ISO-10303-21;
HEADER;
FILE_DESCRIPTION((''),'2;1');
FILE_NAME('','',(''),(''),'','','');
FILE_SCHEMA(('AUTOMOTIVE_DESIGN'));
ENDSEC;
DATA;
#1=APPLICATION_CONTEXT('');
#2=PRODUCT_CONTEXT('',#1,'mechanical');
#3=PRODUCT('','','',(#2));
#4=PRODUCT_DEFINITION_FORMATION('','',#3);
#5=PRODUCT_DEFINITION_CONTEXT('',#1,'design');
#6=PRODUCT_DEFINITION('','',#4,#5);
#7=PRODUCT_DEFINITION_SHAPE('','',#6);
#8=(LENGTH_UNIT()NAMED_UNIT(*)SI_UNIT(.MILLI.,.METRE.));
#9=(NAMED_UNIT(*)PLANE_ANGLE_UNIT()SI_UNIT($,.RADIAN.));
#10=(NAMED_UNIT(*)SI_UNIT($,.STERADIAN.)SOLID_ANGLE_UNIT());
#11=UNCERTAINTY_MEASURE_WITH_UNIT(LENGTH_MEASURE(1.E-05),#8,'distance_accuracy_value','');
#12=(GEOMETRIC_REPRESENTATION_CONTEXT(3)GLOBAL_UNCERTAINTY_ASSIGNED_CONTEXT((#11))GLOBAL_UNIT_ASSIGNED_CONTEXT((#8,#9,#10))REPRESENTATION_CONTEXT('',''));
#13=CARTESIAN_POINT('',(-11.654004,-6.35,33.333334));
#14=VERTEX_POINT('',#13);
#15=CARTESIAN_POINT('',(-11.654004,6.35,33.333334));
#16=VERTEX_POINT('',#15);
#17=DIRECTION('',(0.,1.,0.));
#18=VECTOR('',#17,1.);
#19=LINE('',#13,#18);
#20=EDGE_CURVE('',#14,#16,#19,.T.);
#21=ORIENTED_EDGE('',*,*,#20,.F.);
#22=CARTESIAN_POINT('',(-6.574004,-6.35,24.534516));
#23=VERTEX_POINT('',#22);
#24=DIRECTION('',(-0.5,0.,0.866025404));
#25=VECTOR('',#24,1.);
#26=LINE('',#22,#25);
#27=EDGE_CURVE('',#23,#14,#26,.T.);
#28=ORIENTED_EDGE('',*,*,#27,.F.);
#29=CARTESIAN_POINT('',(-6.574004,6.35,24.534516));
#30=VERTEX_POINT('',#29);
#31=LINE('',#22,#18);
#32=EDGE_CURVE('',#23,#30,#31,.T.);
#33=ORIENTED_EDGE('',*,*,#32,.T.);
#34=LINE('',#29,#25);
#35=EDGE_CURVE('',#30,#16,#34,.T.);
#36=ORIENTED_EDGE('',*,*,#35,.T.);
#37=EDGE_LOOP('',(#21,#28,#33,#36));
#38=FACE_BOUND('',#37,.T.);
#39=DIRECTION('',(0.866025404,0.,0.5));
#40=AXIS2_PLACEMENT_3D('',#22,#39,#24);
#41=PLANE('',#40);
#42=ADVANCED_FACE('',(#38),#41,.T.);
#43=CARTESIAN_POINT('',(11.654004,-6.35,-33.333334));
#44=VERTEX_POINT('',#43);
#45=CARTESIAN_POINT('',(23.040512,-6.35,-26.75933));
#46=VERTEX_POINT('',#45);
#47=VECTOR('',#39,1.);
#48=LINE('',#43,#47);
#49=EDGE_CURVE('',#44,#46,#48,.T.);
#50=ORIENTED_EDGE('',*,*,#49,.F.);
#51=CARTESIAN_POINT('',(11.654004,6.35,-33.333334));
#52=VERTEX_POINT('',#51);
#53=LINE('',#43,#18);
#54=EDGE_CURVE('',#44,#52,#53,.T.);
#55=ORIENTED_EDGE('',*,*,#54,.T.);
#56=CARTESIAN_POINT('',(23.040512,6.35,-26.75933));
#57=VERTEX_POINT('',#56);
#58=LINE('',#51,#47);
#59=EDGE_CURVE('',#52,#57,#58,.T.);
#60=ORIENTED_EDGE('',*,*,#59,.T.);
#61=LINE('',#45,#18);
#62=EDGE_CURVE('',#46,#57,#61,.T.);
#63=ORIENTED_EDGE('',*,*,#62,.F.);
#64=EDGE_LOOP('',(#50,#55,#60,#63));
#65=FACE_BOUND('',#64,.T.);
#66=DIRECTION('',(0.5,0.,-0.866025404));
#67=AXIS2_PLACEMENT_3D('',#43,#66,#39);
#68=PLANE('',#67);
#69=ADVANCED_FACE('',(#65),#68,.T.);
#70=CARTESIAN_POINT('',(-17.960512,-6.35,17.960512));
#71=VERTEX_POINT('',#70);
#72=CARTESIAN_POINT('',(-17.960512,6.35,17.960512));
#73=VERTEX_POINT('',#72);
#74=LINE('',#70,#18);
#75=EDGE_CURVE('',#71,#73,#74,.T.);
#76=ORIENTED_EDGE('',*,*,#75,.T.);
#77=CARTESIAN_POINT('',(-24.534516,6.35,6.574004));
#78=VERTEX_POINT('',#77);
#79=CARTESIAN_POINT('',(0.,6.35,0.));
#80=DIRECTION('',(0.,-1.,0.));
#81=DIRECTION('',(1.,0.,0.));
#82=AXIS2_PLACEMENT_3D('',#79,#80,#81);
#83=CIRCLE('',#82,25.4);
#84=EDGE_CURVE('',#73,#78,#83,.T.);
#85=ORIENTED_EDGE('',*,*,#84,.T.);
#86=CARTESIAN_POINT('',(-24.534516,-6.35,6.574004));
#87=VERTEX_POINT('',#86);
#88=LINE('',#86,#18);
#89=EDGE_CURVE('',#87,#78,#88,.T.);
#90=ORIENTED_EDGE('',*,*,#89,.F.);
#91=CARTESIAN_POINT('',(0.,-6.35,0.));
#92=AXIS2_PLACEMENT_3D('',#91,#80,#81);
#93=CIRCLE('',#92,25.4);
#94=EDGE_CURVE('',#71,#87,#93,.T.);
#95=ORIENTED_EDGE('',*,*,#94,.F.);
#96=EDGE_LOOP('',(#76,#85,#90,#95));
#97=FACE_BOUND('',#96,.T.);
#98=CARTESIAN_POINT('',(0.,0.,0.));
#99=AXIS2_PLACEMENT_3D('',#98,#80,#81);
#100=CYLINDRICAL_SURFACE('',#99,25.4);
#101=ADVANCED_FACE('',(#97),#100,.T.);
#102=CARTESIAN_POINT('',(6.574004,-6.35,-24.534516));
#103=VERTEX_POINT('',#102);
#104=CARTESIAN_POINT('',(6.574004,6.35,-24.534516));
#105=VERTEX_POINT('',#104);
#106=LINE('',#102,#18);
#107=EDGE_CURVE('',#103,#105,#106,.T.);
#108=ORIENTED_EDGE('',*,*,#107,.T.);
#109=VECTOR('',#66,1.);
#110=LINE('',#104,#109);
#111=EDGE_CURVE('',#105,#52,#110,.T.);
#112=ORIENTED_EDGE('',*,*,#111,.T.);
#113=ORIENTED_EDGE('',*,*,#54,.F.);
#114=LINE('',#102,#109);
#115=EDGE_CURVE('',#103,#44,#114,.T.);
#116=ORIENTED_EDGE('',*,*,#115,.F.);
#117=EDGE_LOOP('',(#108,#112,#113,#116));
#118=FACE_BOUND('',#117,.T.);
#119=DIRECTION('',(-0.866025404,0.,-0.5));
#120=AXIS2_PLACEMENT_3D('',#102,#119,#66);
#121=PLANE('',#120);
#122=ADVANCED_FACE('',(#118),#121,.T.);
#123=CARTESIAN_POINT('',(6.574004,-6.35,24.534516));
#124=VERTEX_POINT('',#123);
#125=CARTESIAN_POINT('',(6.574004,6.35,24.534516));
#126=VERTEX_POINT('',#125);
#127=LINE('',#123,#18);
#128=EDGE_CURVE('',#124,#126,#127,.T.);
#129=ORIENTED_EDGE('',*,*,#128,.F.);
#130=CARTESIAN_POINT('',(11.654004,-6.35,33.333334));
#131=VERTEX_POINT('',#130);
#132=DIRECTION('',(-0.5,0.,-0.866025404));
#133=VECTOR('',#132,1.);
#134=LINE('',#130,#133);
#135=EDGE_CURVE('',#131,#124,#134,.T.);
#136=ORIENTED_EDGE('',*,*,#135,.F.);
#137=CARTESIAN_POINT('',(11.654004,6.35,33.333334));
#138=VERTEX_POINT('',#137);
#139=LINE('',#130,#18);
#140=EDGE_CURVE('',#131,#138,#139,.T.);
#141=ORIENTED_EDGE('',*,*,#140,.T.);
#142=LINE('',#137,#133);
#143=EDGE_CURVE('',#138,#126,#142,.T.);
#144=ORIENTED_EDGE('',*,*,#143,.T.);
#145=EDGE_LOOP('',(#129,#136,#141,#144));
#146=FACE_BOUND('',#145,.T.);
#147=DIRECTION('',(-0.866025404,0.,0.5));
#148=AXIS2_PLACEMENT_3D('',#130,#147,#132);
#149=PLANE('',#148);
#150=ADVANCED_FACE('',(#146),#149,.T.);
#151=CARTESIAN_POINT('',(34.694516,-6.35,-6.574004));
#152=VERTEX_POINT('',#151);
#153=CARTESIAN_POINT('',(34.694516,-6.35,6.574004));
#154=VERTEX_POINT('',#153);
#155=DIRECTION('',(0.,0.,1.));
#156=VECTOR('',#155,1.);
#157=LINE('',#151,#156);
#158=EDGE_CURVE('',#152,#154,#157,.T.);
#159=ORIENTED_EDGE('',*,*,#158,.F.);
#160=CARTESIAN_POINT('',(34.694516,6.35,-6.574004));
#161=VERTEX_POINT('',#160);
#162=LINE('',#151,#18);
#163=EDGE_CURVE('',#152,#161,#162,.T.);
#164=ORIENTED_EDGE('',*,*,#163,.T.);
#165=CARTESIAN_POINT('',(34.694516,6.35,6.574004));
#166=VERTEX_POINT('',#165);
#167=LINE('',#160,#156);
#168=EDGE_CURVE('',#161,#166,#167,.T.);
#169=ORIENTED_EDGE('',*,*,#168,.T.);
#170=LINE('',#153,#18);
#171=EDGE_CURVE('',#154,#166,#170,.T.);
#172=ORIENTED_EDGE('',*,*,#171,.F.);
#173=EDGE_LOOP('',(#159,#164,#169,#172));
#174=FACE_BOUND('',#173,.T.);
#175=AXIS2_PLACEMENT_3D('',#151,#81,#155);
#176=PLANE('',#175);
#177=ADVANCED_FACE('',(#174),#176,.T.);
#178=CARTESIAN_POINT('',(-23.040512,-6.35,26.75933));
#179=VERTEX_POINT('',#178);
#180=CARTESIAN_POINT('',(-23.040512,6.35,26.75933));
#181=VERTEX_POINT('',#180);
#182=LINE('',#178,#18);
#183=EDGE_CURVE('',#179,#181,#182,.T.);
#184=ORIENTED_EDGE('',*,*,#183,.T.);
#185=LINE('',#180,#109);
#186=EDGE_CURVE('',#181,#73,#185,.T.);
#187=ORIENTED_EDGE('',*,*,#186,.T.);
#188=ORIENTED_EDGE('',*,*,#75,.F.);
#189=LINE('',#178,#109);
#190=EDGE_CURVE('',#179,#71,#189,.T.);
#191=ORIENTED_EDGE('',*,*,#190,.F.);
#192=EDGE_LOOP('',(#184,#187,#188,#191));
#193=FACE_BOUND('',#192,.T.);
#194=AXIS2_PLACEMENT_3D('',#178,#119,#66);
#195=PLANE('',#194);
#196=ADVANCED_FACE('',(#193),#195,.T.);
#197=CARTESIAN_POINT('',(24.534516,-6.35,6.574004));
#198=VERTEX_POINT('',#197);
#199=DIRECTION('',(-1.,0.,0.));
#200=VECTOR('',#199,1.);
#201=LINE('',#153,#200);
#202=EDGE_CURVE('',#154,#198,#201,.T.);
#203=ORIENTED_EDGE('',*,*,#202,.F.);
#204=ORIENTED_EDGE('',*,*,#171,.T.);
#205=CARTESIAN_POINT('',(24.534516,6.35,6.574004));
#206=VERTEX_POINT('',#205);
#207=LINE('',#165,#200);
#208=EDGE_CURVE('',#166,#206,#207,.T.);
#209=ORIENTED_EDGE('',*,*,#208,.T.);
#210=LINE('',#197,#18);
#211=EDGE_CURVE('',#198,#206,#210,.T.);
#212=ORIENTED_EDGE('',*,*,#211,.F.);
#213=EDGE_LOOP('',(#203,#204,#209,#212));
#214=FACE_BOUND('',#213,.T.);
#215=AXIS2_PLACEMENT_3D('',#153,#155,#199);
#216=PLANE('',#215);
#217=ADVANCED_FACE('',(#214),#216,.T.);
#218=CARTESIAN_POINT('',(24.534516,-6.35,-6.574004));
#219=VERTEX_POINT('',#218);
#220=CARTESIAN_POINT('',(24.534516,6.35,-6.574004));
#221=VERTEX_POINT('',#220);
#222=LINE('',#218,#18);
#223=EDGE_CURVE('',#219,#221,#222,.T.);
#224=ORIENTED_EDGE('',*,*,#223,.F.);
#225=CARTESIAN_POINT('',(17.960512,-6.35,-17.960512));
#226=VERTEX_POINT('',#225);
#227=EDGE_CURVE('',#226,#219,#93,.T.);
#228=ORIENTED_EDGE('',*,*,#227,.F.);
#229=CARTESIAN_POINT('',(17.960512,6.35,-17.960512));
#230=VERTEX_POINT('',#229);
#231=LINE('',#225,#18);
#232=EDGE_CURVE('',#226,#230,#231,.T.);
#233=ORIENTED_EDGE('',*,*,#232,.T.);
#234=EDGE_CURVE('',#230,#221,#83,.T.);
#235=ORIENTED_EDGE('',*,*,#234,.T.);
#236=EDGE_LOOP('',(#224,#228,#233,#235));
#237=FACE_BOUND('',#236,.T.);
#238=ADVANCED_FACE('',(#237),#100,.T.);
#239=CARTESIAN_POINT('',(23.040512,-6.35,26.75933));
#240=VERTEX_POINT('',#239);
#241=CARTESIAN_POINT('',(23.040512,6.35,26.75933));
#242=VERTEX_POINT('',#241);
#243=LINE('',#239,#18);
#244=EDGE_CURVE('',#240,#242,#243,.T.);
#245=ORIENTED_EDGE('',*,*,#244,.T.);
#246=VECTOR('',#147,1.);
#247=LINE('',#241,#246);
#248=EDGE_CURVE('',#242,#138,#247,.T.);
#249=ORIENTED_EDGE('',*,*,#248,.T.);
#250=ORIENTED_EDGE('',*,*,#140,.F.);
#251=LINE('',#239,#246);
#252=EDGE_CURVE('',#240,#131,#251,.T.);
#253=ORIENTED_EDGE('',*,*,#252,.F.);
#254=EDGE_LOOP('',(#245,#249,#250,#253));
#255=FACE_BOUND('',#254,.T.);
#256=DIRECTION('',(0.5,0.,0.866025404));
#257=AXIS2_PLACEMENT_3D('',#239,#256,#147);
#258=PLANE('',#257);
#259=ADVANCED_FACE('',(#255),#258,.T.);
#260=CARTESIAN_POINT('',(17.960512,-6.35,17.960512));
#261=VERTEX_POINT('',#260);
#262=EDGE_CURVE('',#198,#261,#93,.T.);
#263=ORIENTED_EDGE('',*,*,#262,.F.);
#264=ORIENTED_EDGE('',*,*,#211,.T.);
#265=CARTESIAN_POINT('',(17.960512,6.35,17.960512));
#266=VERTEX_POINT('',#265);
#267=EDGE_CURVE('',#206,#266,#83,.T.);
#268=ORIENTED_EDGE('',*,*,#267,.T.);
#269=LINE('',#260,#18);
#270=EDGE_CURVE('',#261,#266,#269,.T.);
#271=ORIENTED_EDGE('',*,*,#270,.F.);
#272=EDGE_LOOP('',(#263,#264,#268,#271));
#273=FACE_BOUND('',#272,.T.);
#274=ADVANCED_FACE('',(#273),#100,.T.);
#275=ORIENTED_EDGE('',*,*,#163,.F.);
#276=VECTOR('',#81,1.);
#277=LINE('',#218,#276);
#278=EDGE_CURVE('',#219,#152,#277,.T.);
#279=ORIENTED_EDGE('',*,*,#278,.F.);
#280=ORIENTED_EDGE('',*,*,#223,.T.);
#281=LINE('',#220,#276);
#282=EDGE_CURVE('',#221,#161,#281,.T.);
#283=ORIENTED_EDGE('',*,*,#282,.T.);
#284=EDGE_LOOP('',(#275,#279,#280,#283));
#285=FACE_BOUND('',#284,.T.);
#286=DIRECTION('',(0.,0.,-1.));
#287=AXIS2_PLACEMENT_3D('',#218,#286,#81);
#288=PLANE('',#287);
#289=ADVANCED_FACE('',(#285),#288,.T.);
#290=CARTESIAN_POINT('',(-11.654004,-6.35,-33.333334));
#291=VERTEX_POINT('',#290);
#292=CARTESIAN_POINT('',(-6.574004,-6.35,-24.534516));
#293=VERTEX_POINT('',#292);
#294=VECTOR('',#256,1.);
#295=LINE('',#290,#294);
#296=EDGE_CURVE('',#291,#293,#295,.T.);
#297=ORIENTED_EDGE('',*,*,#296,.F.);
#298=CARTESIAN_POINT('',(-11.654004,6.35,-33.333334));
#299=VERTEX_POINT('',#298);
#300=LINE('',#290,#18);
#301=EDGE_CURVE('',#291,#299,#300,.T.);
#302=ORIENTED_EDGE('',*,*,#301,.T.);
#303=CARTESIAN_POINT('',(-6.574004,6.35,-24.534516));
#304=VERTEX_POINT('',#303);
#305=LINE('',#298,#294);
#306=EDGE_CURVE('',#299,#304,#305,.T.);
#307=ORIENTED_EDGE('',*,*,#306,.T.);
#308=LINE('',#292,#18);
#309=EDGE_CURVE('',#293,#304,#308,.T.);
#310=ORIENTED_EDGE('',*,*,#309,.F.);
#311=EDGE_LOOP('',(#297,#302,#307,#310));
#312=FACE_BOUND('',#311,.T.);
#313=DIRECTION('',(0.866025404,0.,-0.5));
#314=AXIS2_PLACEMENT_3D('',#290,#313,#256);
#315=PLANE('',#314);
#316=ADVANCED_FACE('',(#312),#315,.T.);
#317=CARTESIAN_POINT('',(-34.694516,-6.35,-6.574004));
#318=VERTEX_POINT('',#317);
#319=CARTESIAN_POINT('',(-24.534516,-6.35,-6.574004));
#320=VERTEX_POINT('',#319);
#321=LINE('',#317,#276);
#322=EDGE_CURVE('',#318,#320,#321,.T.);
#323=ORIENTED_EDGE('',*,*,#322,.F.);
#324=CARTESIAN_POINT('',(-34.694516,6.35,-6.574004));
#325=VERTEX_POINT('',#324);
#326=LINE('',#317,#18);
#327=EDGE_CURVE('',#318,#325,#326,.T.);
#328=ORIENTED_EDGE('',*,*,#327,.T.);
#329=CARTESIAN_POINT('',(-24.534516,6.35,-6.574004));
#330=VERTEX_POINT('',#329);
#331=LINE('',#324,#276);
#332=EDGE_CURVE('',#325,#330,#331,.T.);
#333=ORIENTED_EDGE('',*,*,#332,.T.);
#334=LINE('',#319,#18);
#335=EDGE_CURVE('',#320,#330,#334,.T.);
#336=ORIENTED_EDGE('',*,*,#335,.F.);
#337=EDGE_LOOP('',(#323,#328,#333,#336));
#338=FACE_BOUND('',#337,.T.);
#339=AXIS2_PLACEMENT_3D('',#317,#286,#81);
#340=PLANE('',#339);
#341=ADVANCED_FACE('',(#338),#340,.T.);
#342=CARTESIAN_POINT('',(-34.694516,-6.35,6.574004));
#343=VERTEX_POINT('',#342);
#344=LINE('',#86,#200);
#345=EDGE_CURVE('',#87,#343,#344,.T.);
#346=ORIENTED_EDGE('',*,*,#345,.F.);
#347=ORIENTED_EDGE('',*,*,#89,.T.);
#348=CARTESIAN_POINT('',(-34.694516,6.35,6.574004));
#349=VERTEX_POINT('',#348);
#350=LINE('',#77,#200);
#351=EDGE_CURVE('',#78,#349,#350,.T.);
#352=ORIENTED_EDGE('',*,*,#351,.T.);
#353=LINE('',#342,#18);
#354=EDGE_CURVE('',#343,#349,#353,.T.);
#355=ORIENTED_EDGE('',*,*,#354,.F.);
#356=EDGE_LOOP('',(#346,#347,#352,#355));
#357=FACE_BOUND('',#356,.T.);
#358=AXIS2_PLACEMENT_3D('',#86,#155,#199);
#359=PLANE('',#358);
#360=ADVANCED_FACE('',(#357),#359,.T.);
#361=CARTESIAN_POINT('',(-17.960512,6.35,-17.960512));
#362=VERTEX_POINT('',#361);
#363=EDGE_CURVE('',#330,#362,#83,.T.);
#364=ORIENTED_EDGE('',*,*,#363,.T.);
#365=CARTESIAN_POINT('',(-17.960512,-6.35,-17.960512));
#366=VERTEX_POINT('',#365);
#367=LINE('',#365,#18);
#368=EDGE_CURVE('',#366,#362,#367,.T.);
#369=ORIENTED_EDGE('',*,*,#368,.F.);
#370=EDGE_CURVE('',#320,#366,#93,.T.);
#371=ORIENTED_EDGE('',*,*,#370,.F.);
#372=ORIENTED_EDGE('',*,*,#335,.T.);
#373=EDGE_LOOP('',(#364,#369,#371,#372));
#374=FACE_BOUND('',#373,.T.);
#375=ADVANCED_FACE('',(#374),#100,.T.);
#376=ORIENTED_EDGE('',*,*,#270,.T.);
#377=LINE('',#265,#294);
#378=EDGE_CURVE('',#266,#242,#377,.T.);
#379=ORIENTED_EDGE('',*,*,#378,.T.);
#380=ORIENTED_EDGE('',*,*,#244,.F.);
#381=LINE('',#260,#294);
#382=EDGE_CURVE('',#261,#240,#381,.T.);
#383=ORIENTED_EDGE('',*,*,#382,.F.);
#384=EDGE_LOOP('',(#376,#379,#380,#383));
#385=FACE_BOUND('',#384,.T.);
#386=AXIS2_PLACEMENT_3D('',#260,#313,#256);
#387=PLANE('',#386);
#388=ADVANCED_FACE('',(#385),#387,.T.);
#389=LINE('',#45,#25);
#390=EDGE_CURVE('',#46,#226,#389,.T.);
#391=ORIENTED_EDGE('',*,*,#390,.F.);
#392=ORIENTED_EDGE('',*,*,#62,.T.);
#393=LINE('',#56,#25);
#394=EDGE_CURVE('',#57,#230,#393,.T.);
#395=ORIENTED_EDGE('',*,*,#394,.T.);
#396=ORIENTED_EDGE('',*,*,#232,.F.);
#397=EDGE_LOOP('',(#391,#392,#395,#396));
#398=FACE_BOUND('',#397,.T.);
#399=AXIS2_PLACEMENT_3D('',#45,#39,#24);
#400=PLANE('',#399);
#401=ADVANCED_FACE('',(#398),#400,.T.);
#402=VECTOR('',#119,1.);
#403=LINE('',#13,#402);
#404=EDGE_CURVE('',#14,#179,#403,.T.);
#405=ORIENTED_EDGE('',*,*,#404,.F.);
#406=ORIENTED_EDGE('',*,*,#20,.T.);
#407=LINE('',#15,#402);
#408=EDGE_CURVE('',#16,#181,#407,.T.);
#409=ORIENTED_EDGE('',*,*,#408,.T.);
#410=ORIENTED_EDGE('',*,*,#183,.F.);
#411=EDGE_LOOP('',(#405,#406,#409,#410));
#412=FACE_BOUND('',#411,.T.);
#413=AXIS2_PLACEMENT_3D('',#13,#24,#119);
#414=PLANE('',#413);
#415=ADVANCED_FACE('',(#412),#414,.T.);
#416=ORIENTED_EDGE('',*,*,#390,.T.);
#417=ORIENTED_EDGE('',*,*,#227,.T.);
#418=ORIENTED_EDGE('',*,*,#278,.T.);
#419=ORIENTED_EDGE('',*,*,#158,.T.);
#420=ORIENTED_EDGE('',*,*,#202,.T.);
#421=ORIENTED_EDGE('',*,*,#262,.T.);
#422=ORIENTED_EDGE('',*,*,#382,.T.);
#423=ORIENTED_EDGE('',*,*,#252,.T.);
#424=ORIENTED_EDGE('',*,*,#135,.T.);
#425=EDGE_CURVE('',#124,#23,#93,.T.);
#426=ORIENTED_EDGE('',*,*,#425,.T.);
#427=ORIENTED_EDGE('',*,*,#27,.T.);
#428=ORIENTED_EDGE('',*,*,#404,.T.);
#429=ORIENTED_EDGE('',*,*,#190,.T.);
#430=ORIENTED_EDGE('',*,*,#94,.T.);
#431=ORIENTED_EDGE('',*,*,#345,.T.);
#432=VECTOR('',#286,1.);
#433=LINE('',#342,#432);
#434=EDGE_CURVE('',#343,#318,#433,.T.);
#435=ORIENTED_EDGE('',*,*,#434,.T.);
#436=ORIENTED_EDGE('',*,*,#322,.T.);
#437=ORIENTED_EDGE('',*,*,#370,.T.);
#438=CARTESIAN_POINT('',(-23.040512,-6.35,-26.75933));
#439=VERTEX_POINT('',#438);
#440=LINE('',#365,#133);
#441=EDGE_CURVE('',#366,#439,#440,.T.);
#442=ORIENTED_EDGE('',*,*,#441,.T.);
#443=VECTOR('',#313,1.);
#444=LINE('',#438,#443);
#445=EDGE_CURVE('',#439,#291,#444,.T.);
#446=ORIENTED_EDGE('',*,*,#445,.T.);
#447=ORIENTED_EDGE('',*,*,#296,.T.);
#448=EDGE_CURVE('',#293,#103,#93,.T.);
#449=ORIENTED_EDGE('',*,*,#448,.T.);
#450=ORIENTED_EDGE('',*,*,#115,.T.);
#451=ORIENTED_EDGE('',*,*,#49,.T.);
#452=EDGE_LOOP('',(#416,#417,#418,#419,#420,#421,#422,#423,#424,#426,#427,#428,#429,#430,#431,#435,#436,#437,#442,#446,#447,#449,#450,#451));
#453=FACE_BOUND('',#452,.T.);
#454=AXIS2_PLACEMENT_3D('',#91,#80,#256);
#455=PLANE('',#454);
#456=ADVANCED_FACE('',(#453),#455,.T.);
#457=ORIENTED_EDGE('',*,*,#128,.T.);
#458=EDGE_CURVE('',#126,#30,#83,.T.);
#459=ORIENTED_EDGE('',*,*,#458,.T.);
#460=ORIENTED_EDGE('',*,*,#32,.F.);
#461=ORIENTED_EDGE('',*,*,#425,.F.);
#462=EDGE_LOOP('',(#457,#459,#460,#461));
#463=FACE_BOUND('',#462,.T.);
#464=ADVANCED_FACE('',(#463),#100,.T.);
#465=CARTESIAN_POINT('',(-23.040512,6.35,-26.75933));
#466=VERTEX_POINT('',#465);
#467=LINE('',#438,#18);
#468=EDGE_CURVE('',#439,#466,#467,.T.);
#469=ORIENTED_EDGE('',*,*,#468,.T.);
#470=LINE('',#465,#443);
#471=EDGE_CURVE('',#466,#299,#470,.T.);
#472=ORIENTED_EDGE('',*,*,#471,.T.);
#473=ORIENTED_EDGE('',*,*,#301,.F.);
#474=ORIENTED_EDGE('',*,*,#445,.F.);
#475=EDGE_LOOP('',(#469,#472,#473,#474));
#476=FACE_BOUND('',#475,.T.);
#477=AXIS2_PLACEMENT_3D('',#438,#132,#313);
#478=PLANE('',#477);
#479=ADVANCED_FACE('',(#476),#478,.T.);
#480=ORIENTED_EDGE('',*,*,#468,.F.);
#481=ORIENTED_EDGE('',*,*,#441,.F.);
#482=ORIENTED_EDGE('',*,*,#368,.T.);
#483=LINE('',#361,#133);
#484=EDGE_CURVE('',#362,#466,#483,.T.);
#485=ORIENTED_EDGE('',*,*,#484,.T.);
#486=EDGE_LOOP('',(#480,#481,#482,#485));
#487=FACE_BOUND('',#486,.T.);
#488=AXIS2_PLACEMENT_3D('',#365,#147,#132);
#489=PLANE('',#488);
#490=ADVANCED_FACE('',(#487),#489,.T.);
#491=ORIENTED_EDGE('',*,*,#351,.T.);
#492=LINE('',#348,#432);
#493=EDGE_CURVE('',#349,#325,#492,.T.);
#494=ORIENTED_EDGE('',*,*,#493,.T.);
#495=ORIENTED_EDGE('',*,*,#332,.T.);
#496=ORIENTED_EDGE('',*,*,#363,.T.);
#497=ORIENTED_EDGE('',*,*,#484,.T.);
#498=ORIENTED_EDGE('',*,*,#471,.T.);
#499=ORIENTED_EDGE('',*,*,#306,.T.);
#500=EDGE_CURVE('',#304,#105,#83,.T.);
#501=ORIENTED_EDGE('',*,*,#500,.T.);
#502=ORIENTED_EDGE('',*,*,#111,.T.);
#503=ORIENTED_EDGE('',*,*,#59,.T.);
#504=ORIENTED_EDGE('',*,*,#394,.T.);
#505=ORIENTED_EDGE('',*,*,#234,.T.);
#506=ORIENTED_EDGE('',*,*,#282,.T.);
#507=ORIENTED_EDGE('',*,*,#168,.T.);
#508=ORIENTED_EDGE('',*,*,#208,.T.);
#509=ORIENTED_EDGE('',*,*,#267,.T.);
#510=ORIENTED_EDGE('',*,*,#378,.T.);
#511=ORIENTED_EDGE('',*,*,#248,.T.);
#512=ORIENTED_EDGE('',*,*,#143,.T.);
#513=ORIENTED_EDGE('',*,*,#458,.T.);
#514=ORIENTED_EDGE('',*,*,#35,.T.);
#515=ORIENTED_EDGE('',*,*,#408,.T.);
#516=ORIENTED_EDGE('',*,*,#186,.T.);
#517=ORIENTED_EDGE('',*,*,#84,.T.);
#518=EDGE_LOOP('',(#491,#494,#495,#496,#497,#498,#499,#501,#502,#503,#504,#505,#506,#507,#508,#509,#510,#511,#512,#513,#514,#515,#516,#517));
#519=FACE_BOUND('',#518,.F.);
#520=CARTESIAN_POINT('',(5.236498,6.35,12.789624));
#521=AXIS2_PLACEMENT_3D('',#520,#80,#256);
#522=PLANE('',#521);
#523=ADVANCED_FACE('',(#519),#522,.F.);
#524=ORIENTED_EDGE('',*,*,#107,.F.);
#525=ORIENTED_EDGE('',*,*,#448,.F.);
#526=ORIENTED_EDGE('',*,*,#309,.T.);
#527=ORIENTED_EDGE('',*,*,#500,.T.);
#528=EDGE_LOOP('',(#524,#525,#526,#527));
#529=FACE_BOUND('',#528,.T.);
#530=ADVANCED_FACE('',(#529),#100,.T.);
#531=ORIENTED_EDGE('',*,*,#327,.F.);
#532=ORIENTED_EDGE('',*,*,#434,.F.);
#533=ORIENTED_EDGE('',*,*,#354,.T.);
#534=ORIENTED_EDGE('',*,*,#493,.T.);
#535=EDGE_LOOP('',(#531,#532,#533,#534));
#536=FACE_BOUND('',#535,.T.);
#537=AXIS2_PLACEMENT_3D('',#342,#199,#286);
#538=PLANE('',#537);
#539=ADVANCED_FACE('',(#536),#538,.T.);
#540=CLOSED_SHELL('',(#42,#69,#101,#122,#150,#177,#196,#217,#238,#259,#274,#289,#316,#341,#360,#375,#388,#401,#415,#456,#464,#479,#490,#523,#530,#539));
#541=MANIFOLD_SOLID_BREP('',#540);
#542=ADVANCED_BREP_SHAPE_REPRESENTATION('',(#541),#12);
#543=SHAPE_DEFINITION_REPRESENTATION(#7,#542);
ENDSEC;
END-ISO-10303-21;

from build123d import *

# Parameters (mm, degrees)
F0_R     = 25.4
F1_DEPTH = 6.35
F3_DEPTH = 12.7
F5_COUNT = 6


with BuildPart() as f1:
    # F0 (on Front) → F1 (new body, symmetric)
    with BuildSketch(Plane.XZ):
        Circle(F0_R)
    extrude(amount=F1_DEPTH, both=True)

    # F2 (on face) → F3 (join)
    with BuildSketch(Plane.XZ.offset(6.35)):
        Polygon((24.534516, 6.574004), (0, 0), (24.534516, 0), align=None)
        Polygon((24.534516, 0), (0, 0), (24.534516, -6.574004), align=None)
        with BuildLine():
            Line((25.4, 0), (24.534516, 0))
            Line((24.534516, 0), (24.534516, -6.574004))
            ThreePointArc((24.534516, -6.574004), (25.182699, -3.315365), (25.4, 0))
        make_face()
        with BuildLine():
            Line((24.534516, 6.574004), (24.534516, 0))
            Line((24.534516, 0), (25.4, 0))
            ThreePointArc((25.4, 0), (25.182699, 3.315365), (24.534516, 6.574004))
        make_face()
        with BuildLine():
            Line((34.694516, 6.574004), (24.534516, 6.574004))
            ThreePointArc((24.534516, 6.574004), (25.182699, 3.315365), (25.4, 0))
            ThreePointArc((25.4, 0), (25.182699, -3.315365), (24.534516, -6.574004))
            Line((24.534516, -6.574004), (34.694516, -6.574004))
            Line((34.694516, -6.574004), (34.694516, 6.574004))
        make_face()
    extrude(amount=-F3_DEPTH)

    # F5: F1 ×6 about axis
    f5_axis = Axis((0, -14.801851, 0), (0, 1, 0))


with BuildPart() as f1_1:
    add(f1.part)
    for i in range(1, F5_COUNT):
        add(f1.part.rotate(f5_axis, i * 360 / F5_COUNT))


solid = f1_1.part
